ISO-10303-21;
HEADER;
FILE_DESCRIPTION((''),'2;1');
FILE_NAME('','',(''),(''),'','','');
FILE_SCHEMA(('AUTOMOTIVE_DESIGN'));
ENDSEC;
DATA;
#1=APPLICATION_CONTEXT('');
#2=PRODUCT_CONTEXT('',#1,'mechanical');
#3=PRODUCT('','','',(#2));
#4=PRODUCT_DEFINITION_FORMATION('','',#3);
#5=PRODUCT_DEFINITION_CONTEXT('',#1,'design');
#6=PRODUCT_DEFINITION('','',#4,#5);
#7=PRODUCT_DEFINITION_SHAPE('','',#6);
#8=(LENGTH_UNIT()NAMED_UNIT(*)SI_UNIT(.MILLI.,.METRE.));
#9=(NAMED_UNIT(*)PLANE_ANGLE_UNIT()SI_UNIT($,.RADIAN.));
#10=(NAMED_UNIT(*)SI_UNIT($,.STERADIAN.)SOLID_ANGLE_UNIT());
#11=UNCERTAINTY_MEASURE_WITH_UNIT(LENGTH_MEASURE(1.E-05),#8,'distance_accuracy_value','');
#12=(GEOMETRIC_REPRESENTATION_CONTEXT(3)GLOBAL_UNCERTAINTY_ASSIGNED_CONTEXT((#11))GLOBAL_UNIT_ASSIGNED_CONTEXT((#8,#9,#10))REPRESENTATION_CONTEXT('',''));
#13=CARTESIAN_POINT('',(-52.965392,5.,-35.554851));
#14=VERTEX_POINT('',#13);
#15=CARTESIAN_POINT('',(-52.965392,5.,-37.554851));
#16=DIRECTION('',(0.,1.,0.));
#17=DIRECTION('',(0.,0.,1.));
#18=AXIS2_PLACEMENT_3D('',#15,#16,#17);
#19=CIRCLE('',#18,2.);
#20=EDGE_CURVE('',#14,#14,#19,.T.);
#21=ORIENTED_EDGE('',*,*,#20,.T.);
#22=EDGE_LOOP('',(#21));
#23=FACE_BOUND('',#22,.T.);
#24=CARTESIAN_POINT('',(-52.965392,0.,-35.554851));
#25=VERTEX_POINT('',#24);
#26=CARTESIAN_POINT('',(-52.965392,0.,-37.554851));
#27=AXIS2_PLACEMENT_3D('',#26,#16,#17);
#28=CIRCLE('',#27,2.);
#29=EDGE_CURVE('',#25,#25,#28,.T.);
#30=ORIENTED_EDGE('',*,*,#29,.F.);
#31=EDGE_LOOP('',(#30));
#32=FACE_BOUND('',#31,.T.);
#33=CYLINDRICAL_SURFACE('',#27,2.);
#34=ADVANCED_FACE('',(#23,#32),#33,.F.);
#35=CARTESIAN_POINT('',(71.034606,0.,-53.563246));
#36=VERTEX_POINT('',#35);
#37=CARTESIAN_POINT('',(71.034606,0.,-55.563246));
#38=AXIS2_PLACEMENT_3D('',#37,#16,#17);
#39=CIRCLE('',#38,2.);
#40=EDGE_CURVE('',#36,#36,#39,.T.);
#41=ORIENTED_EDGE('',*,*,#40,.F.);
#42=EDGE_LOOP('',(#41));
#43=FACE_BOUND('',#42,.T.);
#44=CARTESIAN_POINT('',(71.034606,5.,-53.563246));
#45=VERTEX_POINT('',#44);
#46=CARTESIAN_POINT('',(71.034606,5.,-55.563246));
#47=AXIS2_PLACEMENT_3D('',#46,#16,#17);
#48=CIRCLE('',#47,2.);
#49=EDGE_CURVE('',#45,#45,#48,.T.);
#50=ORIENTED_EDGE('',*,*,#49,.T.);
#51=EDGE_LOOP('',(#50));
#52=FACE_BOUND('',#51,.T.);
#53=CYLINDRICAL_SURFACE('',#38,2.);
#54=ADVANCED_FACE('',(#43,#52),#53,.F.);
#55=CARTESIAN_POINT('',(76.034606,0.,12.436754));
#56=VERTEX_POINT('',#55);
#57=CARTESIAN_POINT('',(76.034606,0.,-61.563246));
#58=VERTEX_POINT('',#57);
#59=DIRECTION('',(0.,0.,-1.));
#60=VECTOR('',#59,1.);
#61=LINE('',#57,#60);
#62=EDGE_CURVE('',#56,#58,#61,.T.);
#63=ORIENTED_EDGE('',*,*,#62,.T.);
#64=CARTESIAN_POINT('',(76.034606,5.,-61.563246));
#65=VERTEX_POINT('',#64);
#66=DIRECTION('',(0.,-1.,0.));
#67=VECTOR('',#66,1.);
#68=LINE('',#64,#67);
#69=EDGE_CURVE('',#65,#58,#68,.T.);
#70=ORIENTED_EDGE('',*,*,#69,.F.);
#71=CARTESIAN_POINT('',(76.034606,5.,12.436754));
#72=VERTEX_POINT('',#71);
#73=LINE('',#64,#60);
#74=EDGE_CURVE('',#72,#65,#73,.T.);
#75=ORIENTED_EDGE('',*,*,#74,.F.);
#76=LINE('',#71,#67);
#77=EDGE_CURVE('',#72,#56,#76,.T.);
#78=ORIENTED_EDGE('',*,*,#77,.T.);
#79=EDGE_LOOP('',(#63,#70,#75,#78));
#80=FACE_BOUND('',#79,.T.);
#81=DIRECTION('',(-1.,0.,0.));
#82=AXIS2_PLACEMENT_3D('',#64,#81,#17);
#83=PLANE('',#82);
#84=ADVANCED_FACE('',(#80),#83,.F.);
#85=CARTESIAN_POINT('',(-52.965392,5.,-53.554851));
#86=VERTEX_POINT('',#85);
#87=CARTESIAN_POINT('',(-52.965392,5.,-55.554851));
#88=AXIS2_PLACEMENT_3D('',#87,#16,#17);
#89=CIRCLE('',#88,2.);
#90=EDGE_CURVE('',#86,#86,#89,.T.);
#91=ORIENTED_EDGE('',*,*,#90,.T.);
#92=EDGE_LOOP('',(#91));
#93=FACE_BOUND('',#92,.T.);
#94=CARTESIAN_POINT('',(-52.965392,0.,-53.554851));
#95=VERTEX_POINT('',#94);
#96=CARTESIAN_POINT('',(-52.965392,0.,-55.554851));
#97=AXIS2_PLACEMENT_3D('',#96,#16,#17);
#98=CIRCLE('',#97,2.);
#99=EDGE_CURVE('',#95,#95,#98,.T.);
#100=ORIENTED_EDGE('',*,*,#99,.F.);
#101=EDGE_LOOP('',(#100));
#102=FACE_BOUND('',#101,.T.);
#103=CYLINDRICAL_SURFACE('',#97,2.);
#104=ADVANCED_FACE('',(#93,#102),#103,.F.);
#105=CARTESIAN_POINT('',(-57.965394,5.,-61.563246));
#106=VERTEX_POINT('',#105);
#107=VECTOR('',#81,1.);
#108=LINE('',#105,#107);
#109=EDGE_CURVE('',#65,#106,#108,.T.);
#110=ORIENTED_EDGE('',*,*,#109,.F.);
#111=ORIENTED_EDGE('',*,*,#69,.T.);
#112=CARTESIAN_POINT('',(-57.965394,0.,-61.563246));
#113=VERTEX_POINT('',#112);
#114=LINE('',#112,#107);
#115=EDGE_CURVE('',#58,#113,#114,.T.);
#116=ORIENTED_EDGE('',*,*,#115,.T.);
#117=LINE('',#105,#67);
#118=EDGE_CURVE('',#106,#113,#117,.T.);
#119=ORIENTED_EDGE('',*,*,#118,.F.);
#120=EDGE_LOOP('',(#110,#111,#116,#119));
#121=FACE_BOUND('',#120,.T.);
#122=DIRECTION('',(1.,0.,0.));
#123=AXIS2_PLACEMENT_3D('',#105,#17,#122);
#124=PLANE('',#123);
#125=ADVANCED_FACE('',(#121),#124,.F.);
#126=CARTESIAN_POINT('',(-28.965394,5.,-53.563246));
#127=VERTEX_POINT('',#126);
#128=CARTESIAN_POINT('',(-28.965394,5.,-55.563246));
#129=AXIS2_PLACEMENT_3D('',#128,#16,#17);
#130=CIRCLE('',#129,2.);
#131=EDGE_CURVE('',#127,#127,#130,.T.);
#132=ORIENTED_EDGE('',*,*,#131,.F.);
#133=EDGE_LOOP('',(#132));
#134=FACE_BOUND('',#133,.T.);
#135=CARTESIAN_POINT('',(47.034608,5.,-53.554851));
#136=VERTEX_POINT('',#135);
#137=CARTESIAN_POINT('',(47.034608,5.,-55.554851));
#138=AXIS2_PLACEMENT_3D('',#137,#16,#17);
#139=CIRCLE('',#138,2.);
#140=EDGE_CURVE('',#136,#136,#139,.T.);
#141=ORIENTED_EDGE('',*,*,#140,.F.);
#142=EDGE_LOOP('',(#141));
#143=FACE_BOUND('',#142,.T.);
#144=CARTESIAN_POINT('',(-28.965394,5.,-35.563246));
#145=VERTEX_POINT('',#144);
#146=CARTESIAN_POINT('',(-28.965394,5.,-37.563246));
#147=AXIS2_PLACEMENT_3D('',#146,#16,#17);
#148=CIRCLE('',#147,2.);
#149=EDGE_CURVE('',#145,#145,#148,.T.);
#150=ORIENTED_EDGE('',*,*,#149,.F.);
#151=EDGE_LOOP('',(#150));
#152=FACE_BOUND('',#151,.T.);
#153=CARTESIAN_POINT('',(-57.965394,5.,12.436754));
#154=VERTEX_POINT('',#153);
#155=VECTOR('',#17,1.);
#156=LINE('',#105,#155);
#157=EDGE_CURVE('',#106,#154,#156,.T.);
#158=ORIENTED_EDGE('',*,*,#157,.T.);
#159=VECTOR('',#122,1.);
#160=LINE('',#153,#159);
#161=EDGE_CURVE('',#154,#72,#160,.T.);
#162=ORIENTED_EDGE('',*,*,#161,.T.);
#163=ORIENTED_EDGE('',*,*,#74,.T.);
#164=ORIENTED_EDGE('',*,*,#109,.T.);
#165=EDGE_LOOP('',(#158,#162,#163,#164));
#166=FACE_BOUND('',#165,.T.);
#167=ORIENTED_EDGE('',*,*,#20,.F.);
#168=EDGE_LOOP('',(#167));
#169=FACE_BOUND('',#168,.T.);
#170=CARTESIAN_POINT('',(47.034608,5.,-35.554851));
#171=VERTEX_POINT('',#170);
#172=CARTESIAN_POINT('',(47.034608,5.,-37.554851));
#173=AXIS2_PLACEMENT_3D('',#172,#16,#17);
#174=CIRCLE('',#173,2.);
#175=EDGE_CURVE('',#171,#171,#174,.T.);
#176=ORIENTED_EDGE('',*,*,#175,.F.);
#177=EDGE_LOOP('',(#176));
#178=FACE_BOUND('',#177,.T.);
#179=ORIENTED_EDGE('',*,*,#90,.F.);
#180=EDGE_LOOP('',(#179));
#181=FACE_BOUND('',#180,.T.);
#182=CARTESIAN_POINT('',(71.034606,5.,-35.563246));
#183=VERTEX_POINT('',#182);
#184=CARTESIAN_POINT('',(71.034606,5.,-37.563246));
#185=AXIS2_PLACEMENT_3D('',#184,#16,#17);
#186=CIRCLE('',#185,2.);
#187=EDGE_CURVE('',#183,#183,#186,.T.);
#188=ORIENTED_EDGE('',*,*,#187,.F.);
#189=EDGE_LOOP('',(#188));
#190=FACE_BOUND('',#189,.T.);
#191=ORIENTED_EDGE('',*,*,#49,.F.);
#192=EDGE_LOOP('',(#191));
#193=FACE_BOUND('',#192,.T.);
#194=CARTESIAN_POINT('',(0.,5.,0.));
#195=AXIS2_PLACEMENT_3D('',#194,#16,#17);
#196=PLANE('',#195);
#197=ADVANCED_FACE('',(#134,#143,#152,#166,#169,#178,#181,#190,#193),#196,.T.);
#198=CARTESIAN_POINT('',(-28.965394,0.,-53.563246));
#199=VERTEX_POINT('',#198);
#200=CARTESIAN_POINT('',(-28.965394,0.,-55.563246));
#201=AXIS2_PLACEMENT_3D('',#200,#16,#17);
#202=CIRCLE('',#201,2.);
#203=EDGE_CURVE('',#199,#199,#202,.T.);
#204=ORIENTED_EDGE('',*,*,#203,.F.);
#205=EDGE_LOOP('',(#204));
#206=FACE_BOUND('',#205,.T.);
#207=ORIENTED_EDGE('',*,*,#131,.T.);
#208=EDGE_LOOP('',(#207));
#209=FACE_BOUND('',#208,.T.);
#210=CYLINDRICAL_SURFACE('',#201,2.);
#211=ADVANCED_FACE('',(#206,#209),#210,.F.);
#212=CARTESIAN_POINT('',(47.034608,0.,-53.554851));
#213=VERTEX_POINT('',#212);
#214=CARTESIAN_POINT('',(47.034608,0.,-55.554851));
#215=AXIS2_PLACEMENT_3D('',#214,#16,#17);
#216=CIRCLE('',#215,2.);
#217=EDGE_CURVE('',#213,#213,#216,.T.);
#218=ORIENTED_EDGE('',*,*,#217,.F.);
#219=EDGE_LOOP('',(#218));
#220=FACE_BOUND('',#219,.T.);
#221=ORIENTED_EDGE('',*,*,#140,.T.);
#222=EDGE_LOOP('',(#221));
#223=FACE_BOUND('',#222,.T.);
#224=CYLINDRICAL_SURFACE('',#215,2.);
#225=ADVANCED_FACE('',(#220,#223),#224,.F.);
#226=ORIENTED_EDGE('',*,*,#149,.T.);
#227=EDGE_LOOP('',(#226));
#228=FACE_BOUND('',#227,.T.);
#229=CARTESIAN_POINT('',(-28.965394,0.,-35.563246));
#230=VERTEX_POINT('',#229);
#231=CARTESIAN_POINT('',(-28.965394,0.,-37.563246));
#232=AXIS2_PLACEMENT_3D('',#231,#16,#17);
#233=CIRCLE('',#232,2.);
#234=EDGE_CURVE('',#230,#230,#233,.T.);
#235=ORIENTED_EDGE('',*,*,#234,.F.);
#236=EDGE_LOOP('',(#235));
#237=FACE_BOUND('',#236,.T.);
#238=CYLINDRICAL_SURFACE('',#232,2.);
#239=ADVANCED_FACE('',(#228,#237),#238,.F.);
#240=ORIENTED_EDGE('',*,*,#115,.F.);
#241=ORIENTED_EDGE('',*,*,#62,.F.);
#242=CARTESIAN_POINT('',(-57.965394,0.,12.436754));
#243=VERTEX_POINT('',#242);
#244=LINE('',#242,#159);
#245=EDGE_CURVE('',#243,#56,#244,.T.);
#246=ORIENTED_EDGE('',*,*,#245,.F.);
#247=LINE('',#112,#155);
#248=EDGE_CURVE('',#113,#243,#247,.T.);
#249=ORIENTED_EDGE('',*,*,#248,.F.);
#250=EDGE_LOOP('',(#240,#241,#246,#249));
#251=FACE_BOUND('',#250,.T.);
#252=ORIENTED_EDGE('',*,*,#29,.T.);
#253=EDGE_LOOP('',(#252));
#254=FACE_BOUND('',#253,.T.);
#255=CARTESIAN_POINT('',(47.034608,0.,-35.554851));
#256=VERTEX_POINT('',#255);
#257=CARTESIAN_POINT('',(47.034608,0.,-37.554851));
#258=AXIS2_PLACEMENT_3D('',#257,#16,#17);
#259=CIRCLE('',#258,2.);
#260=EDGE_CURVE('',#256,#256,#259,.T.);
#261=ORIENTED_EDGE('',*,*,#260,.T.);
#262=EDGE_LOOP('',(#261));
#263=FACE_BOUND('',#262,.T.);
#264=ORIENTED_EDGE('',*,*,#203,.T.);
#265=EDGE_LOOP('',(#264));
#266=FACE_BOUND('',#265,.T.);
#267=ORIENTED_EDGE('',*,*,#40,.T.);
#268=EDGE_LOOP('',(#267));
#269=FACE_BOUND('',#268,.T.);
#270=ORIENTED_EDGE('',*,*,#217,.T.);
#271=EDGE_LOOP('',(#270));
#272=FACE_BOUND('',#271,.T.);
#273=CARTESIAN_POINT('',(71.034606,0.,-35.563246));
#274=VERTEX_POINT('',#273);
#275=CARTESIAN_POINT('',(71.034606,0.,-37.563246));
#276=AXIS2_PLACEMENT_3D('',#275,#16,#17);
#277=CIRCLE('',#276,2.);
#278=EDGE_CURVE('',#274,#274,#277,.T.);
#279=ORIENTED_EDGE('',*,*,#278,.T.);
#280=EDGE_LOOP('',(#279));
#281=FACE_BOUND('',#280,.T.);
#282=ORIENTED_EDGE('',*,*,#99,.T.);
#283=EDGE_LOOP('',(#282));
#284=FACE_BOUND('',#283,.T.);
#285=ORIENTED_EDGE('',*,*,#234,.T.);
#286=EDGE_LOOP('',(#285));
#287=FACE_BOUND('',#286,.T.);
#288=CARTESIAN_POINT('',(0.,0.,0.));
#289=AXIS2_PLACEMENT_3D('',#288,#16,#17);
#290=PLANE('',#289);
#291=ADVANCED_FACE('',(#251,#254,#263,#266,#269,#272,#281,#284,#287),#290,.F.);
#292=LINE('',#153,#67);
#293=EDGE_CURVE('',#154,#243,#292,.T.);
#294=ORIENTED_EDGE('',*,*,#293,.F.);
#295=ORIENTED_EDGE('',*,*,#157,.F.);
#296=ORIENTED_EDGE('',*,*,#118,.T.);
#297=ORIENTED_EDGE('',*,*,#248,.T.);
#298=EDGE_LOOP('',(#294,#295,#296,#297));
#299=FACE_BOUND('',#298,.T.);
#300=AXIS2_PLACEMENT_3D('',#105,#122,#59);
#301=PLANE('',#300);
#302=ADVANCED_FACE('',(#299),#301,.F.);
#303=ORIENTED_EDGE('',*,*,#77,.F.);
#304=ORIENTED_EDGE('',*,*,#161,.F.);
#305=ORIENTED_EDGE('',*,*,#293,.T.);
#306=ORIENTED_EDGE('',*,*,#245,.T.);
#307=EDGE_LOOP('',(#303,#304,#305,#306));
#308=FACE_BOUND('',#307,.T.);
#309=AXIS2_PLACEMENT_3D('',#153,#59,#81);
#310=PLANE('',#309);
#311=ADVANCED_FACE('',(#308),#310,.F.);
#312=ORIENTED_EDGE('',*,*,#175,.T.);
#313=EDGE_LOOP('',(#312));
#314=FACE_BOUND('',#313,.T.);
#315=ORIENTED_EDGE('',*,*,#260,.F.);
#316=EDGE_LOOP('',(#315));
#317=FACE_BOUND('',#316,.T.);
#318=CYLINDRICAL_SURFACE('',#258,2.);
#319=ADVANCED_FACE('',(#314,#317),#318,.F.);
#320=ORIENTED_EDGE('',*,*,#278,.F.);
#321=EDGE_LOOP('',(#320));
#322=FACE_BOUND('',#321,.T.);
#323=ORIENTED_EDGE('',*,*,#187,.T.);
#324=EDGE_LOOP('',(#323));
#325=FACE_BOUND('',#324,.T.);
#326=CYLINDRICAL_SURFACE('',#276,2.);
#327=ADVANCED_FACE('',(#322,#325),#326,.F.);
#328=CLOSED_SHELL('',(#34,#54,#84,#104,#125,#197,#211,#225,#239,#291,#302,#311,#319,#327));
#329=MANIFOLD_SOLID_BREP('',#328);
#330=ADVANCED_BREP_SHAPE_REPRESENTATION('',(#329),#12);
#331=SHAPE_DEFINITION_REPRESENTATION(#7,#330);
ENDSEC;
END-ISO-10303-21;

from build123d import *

# Parameters (mm, degrees)
SKETCH2_W           = 134
SKETCH2_H           = 74
BOSS_EXTRUDE1_DEPTH = 5
SKETCH3_R           = 2
CUT_EXTRUDE1_DEPTH  = 6


with BuildPart() as part:
    # Sketch2 → Boss-Extrude1 (new body)
    with BuildSketch(Plane(origin=(0, 0, 0), x_dir=(1, 0, 0), z_dir=(0, 1, 0))):
        with Locations((9.034606205, 24.563245823)):
            Rectangle(SKETCH2_W, SKETCH2_H)
    extrude(amount=BOSS_EXTRUDE1_DEPTH)

    # Sketch3 → Cut-Extrude1 (cut, through all)
    with BuildSketch(Plane(origin=(0, 5, 0), x_dir=(1, 0, 0), z_dir=(0, 1, 0))):
        with Locations((71.034606205, 55.563245823)):
            Circle(SKETCH3_R)
        with Locations((47.034607673, 55.554851462)):
            Circle(SKETCH3_R)
        with Locations((71.034606205, 37.563245823)):
            Circle(SKETCH3_R)
        with Locations((47.034607673, 37.554851462)):
            Circle(SKETCH3_R)
        with Locations((-28.965393795, 37.563245823)):
            Circle(SKETCH3_R)
        with Locations((-52.965392327, 37.554851462)):
            Circle(SKETCH3_R)
        with Locations((-52.965392327, 55.554851462)):
            Circle(SKETCH3_R)
        with Locations((-28.965393795, 55.563245823)):
            Circle(SKETCH3_R)
    extrude(amount=-CUT_EXTRUDE1_DEPTH, mode=Mode.SUBTRACT)


solid = part.part
